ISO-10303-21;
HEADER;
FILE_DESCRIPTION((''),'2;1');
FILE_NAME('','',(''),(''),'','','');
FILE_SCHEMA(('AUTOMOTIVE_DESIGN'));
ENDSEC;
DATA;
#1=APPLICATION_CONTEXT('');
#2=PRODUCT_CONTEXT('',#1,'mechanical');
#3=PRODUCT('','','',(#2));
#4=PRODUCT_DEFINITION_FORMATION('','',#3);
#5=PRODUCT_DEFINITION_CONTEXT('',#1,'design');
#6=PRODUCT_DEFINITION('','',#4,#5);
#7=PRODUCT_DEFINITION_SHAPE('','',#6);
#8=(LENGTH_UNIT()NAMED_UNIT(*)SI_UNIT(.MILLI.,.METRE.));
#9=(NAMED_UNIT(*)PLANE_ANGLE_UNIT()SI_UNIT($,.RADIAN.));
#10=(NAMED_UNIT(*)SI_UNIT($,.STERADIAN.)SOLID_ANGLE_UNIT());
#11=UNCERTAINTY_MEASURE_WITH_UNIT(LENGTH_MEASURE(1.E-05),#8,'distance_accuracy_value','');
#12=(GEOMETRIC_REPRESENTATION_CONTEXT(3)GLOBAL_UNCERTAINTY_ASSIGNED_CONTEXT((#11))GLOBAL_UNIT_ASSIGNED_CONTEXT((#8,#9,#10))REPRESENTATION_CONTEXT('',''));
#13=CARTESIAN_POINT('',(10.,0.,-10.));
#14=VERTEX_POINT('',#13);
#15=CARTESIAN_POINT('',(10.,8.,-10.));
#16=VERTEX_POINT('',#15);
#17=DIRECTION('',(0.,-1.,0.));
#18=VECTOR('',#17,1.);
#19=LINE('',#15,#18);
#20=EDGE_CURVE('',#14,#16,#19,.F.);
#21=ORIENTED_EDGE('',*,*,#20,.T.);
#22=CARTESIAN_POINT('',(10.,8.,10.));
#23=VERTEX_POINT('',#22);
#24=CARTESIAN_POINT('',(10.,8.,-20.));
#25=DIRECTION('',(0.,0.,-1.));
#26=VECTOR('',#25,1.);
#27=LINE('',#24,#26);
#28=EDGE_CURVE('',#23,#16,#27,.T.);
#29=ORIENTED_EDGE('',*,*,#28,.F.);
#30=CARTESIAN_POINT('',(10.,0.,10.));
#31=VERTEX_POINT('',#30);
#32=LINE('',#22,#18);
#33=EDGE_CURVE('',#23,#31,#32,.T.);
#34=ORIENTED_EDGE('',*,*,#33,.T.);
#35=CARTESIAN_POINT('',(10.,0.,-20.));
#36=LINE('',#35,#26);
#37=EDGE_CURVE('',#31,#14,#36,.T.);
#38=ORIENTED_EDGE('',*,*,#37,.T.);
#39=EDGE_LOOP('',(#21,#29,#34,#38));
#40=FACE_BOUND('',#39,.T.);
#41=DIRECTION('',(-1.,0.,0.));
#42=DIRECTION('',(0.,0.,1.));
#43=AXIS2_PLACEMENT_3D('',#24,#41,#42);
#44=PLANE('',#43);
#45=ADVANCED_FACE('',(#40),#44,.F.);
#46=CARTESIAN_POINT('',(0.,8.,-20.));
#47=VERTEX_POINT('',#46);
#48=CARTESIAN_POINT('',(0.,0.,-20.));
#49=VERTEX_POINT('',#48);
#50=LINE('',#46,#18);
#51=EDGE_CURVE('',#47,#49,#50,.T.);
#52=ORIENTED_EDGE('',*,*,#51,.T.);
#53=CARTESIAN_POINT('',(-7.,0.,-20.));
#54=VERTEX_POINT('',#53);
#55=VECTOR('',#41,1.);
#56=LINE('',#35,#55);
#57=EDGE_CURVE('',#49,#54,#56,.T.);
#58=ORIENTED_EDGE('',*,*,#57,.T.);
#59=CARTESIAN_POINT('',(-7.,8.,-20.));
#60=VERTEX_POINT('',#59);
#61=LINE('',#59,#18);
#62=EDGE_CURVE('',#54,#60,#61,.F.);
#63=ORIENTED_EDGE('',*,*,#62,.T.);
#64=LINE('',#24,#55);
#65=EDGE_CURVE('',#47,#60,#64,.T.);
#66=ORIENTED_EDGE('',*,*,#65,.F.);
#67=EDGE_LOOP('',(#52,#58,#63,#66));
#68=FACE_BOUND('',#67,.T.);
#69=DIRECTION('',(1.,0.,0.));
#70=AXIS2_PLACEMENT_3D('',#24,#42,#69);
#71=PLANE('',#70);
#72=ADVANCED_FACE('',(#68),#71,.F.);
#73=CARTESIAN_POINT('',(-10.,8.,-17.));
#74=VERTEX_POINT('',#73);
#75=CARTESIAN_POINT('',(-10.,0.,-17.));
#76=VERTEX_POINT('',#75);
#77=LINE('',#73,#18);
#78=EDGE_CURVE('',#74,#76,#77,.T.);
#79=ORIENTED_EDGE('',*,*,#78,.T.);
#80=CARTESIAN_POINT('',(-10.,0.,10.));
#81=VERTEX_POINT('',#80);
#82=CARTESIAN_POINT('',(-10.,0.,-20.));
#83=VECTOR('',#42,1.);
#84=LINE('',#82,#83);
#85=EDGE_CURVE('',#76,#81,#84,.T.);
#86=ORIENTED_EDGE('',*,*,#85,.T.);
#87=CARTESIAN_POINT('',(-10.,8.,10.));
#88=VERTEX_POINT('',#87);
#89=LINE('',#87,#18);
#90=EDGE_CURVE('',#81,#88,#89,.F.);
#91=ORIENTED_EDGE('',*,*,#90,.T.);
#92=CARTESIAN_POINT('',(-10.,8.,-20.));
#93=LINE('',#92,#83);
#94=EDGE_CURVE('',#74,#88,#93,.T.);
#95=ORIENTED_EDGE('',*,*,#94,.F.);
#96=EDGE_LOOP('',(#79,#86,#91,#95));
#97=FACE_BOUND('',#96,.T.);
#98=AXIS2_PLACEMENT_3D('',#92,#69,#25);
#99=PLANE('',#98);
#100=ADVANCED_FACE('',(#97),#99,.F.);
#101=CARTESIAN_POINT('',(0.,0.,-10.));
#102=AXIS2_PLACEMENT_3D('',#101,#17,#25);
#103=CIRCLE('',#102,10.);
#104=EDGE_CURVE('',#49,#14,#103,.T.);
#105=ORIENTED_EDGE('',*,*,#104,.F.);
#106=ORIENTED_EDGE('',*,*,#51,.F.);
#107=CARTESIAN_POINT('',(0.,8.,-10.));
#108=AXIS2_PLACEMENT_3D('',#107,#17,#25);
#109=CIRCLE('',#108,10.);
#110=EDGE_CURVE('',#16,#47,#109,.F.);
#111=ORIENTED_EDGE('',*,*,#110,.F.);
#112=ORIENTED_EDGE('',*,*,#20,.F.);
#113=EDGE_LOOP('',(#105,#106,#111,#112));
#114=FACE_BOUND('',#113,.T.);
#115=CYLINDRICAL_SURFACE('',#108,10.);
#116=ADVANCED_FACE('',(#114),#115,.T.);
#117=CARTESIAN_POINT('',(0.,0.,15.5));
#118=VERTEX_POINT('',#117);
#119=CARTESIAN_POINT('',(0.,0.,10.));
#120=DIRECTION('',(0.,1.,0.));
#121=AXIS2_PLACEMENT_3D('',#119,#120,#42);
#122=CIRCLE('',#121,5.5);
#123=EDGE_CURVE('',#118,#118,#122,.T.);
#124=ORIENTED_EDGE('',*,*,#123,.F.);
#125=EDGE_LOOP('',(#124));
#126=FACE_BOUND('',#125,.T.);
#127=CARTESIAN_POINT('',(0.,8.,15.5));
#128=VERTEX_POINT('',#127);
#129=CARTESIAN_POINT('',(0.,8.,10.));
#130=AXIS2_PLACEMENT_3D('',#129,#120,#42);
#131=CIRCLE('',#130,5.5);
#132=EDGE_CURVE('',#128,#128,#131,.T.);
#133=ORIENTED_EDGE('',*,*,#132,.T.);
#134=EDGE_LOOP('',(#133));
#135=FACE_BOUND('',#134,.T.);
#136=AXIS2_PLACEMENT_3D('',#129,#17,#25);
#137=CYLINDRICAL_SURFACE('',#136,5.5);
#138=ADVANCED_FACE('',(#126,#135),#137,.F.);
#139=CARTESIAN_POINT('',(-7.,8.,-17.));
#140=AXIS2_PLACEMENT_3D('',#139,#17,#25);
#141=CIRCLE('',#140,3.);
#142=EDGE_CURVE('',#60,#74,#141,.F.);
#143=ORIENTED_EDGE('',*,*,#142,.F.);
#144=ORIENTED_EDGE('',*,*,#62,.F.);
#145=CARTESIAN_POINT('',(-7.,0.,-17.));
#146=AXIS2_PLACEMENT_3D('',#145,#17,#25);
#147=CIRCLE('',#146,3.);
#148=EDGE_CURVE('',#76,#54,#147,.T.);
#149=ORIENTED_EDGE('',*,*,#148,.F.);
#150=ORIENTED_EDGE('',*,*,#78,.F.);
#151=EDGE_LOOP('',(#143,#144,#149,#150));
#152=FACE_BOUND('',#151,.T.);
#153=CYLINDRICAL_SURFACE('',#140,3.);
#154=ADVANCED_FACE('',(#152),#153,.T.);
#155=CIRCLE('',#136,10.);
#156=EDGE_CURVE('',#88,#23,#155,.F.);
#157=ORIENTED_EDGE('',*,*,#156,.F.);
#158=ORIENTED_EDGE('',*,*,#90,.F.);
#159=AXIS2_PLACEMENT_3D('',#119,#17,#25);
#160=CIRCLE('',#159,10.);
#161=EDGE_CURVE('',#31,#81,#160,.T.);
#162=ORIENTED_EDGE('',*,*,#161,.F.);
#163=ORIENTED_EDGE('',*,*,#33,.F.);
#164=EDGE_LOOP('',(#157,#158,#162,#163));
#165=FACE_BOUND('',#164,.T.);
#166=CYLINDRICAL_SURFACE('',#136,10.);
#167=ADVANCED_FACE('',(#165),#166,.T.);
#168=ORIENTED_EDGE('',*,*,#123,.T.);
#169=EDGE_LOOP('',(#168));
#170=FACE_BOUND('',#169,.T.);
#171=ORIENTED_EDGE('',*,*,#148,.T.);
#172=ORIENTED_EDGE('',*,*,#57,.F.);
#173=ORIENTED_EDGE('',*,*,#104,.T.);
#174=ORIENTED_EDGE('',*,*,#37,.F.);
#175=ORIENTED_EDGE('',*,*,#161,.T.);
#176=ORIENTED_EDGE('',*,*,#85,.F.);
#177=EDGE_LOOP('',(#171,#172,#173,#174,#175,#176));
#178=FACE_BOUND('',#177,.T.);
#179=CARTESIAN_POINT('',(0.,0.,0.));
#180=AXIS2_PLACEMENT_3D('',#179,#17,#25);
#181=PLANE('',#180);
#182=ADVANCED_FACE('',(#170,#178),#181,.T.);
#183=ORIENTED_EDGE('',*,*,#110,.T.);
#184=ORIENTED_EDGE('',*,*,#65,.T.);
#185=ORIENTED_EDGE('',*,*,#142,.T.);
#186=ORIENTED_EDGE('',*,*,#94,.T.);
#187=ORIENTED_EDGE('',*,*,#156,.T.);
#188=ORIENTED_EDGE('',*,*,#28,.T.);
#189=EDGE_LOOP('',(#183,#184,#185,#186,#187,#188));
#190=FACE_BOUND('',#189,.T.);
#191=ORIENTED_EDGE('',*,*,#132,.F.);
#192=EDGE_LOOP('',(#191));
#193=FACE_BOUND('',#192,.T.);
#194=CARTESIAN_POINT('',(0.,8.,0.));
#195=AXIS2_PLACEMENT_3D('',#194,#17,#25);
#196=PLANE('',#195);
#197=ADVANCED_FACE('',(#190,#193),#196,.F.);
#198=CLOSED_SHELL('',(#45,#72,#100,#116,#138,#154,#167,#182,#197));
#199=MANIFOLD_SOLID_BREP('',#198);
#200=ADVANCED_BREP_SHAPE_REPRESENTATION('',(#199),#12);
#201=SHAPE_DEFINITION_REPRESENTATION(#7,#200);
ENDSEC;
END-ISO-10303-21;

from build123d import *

# Parameters (mm, degrees)
SKETCH1_W           = 20
SKETCH1_H           = 40
SKETCH1_R           = 5.5
BOSS_EXTRUDE1_DEPTH = 8
FILLET1_RADIUS      = 10
FILLET1_LENGTH      = 8
FILLET2_R           = 10
FILLET3_R           = 3


with BuildPart() as part:
    # Sketch1 → Boss-Extrude1 (new body)
    with BuildSketch(Plane(origin=(0, 0, 0), x_dir=(1, 0, 0), z_dir=(0, 1, 0))):
        Rectangle(SKETCH1_W, SKETCH1_H)
        with Locations(Location((0, -10, 0), (0, 0, 270))):
            Circle(SKETCH1_R, mode=Mode.SUBTRACT)
    extrude(amount=BOSS_EXTRUDE1_DEPTH)

    # Fillet1: full round fillet: the end face becomes a half cylinder, R = half its width
    fillet1_face = Plane((0, 4, 20), x_dir=(0, 1, 0), z_dir=(0, 0, 1))  # on the end face: x along it, z out of the body
    fillet1_slab = fillet1_face.offset(-FILLET1_RADIUS / 2) * Box(FILLET1_LENGTH, 2 * FILLET1_RADIUS, FILLET1_RADIUS, mode=Mode.PRIVATE)  # the body's end, R deep
    fillet1_round = Plane((0, 4, 10), x_dir=(0, 0, 1), z_dir=(0, 1, 0)) * Cylinder(FILLET1_RADIUS, FILLET1_LENGTH, mode=Mode.PRIVATE)  # its axis R under the face
    add(fillet1_slab - fillet1_round, mode=Mode.SUBTRACT)

    # Fillet2
    fillet2_edges = [part.edges().sort_by_distance(p)[0] for p in [
        (10, 4, -20),
    ]]
    fillet(fillet2_edges, radius=FILLET2_R)

    # Fillet3
    fillet3_edges = [part.edges().sort_by_distance(p)[0] for p in [
        (-10, 4, -20),
    ]]
    fillet(fillet3_edges, radius=FILLET3_R)


solid = part.part
